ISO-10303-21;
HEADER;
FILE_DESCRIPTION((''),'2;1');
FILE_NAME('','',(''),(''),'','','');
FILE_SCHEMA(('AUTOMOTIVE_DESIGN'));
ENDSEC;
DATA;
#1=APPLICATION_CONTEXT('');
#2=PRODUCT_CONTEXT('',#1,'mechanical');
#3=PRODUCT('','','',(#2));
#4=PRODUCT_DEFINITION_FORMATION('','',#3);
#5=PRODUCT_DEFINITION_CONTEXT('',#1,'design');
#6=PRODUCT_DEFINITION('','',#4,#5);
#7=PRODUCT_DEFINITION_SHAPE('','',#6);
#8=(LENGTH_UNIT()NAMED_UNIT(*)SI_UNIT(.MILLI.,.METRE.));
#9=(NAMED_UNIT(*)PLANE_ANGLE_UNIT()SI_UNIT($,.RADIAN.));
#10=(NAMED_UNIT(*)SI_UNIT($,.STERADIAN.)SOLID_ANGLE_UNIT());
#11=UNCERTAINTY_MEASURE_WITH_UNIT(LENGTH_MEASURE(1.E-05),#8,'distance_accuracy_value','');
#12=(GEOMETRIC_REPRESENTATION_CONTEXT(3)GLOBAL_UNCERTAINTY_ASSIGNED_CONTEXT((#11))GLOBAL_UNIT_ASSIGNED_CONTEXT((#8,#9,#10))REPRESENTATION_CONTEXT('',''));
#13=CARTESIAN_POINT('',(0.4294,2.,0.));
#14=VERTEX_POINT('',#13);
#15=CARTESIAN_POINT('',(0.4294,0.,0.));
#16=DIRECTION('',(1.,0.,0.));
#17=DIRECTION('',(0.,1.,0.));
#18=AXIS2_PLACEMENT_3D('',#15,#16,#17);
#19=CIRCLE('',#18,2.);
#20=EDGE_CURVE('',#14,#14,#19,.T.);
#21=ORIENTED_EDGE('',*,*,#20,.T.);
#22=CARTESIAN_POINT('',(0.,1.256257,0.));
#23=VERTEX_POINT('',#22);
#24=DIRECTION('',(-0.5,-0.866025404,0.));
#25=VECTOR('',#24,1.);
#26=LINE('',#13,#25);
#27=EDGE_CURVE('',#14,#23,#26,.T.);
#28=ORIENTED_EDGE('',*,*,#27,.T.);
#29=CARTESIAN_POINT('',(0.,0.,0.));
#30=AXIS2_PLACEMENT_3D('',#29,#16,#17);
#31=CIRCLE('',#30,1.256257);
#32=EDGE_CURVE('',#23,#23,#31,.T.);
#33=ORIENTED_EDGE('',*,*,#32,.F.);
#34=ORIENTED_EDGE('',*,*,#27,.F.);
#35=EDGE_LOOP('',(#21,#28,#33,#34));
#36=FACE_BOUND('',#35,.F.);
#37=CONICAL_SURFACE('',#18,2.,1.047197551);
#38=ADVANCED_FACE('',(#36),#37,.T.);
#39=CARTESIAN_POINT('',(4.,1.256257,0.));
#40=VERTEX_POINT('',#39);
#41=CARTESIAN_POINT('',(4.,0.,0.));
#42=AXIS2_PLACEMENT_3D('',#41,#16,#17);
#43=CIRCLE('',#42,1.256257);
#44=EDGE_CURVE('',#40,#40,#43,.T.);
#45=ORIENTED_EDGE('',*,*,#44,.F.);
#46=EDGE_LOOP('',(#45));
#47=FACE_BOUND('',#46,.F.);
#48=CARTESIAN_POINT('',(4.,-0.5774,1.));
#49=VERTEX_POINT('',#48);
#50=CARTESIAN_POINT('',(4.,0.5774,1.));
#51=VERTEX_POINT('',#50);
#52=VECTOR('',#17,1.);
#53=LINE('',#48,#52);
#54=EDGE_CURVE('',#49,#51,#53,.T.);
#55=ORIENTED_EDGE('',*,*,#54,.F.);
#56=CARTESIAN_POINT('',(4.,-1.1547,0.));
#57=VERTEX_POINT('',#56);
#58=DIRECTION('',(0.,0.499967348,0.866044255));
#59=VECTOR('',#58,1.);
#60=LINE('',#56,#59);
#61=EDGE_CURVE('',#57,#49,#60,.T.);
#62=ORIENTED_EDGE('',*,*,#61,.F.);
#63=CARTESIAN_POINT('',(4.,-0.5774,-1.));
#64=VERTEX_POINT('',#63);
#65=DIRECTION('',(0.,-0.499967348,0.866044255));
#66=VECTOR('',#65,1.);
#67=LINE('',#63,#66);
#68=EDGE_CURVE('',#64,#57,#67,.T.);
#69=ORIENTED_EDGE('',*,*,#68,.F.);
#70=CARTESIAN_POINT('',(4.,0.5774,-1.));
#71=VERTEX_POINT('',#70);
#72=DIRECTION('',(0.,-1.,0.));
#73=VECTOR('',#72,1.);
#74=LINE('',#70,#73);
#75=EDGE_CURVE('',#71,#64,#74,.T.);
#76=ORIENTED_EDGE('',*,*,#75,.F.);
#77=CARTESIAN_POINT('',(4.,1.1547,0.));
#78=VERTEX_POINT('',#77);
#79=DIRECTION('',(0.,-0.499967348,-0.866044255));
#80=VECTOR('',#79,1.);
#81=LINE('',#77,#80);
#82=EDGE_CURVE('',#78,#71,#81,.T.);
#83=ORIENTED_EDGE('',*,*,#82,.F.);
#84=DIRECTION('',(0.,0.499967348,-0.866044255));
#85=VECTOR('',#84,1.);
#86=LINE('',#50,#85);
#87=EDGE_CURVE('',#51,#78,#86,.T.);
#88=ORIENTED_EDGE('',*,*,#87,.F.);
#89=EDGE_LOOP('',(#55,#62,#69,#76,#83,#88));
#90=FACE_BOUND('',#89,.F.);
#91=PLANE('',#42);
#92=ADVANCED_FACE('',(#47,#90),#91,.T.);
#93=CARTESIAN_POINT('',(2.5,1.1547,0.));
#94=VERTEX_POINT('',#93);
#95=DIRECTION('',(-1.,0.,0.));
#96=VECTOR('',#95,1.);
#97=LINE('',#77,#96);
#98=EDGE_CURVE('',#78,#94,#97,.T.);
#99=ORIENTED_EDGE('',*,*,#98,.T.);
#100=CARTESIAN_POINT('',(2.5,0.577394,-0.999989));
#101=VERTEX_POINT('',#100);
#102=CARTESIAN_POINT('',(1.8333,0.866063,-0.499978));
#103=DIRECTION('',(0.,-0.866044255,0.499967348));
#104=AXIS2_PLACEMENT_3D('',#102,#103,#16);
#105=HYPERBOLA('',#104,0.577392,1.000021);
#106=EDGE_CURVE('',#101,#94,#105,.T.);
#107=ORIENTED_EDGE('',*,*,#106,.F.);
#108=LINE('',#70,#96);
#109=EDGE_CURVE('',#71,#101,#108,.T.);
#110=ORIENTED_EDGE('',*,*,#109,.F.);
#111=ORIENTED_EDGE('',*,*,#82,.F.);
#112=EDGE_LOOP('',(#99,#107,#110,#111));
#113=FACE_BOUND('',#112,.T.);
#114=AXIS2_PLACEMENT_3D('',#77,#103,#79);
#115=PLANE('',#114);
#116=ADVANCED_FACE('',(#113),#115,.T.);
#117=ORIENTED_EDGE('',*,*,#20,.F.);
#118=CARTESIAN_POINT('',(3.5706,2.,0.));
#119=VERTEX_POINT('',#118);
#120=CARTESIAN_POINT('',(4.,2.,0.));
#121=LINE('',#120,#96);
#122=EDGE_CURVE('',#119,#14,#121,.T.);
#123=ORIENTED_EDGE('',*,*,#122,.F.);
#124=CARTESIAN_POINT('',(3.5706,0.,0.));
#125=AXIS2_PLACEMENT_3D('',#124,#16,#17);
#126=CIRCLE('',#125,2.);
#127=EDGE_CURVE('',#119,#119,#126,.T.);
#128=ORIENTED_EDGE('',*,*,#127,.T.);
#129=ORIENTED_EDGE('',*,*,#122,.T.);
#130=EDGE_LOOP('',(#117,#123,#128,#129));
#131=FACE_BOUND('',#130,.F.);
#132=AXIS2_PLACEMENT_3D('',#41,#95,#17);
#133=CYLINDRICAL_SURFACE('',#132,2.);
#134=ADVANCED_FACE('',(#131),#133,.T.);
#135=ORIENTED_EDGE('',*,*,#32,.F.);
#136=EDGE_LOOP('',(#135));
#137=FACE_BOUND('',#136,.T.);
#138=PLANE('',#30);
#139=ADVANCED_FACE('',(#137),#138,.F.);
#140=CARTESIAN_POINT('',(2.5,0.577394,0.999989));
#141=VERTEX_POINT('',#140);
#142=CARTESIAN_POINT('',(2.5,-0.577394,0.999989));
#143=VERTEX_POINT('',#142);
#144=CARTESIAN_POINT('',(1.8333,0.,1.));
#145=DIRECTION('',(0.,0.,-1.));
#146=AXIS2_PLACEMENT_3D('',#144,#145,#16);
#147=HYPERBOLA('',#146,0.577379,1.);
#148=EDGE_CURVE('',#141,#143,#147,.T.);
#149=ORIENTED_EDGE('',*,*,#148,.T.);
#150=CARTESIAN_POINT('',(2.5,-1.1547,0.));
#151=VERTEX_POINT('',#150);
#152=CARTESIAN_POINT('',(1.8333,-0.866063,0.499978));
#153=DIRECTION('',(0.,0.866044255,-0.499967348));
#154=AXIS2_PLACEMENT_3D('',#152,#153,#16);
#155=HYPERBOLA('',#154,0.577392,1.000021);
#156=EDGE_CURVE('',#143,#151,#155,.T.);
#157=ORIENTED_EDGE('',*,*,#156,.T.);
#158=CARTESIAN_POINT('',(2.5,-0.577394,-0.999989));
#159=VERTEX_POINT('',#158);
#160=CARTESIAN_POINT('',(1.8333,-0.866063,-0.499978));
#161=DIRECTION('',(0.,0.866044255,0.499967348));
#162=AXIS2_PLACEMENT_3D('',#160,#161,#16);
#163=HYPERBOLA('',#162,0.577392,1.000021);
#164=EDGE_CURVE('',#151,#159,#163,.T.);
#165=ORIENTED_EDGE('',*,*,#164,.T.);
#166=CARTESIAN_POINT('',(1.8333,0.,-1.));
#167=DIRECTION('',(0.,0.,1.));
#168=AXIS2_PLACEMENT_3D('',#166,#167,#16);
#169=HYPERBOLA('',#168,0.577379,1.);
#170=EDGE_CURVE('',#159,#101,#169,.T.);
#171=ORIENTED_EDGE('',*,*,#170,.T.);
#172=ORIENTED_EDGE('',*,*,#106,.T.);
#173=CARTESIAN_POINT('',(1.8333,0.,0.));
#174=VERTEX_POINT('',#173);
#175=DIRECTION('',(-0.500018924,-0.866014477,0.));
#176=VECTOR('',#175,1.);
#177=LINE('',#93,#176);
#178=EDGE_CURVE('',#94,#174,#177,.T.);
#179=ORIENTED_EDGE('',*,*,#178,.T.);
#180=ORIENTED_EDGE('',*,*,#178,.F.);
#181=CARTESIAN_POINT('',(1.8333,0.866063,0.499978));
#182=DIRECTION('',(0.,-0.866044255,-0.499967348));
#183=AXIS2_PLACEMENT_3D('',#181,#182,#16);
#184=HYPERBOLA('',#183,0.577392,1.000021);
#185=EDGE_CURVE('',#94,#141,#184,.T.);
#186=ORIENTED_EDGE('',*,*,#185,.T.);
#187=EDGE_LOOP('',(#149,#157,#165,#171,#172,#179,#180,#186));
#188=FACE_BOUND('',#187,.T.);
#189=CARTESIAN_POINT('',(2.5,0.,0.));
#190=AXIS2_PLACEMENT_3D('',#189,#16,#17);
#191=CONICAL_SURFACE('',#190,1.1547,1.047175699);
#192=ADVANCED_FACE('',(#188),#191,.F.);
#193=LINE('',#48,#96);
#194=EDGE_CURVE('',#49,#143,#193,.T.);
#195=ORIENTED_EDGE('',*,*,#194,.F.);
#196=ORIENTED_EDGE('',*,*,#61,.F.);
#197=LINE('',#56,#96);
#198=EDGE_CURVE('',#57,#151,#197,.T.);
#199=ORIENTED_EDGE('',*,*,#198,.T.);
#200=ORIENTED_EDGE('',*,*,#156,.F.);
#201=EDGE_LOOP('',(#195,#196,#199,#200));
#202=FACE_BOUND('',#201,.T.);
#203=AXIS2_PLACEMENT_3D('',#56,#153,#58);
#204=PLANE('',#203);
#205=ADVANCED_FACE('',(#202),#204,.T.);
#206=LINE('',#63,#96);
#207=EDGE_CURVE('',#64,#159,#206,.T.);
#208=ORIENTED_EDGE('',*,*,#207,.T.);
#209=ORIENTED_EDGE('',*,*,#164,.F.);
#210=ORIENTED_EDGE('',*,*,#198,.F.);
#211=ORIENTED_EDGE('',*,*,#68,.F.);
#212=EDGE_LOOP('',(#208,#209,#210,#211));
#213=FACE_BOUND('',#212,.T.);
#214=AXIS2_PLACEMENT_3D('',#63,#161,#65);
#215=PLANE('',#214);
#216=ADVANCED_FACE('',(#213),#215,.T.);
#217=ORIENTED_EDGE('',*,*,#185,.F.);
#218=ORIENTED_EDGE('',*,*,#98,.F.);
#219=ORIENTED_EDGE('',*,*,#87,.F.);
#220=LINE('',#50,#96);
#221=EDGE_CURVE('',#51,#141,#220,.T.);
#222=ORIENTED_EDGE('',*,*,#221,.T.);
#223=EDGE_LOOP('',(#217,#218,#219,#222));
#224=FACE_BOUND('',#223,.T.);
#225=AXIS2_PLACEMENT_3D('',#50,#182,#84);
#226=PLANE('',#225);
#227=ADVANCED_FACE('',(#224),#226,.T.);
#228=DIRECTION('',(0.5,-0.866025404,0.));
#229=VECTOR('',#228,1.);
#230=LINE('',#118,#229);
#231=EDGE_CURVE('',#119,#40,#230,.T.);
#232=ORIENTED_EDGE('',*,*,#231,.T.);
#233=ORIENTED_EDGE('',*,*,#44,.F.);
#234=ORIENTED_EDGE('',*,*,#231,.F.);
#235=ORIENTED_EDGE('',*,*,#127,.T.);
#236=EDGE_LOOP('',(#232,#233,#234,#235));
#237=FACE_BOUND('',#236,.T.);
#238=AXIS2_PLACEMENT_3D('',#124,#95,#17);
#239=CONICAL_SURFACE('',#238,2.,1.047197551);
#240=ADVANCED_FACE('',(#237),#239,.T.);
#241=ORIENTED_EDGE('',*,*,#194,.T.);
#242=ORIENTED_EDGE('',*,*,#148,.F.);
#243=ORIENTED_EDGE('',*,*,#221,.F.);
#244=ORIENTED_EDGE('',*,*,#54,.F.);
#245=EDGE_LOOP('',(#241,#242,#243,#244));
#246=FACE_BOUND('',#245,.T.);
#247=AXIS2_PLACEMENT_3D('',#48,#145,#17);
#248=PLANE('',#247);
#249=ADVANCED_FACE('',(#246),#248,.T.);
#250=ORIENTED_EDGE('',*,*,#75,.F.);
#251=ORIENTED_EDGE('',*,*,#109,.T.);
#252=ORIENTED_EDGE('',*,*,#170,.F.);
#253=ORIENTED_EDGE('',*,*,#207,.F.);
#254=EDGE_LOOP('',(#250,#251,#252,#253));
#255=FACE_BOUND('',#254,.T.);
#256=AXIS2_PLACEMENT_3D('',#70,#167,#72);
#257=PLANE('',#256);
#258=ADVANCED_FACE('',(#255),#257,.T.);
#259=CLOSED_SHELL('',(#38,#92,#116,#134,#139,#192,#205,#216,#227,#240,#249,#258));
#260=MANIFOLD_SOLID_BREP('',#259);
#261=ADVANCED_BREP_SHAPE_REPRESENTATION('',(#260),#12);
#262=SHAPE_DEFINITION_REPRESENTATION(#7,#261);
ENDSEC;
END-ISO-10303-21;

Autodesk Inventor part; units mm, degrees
ref_plane "YZ Plane" through (0, 0, 0) normal (1, 0, 0) x (0, 1, 0)
ref_plane "XZ Plane" through (0, 0, 0) normal (0, 1, 0) x (-1, 0, 0)
sketch "Skizze1" plane through (0, 0, 0) normal (0, 0, 1) x (1, 0, 0)
  line L0 (0, 0) -> (1.8333, 0)
  line L1 (4, 1.1547) -> (4, 2)
  line L2 (4, 2) -> (0, 2)
  line L3 (4, 1.1547) -> (2.5, 1.1547)
  line L4 (2.5, 1.1547) -> (1.8333, 0)
  line L5 (0, -0.4) -> (0, 2.4) projected
  line L6 (0, 2) -> (0, 0)
  dimension "d0" = 1.5
  dimension "d1" = 60
  dimension "d2" = 4
  dimension "d3" = 2.3094
  dimension "d5" = 4
revolve "Körper" add sketch "Skizze1" angle 360 about axis through (0, 0, 0) along (1, 0, 0)
sketch "Skizze2" plane through (4, 0, 0) normal (1, 0, 0) x (0, 1, 0)
  circle A0 centre (0, 0) radius 1.1547 projected
  line L0 (-0.5774, 1) -> (0.5774, 1)
  line L1 (0.5774, 1) -> (1.1547, 0)
  line L2 (1.1547, 0) -> (0.5774, -1)
  line L3 (0.5774, -1) -> (-0.5774, -1)
  line L4 (-0.5774, -1) -> (-1.1547, 0)
  line L5 (-1.1547, 0) -> (-0.5774, 1)
  point P0 (0, 0)
  point P1 (0, 0)
extrude "Loch" add sketch "Skizze2" against normal up to next contours L1 A0 | A0 L2 | L0 A0 | A0 L3 | L5 A0 | A0 L4
thread "Gewinde" size "M4x0.7" class "6g" standard "ISO Metric profile" length 4
chamfer "Fase1" distance 0.4294 angle 60 1 edges at (4, -2, 0) measured on face at (2.6667, 1.9741, -0.3208)
chamfer "Fase2" distance 0.4294 angle 60 1 edges at (0, -2, 0) measured on face at (1.1902, 1.9935, -0.1609)
ref_plane "Work Plane1" through (2, 0, 0) normal (0, 0, 1) x (1, 0, 0)
equation "\"d0\" = INTI"
equation "\"d2\" = NND"
equation "\"d3\" = 1.1547 * SW"
equation "\"d5\" = NLG"
equation "\"d8\" = NLG"
equation "\"d10\" = -0.5 * GD1 + 0.5 * NND"
equation "\"d11\" = FAWI"
equation "\"d34\" = -0.5 * GD1 + 0.5 * NND"
equation "\"d12\" = -0.5 * GD1 + 0.5 * NND"
equation "\"d13\" = FAWI"
equation "\"d35\" = -0.5 * GD1 + 0.5 * NND"
equation "\"NND\" = 4"
equation "\"NLG\" = 4"
equation "\"INTI\" = 1.5"
equation "\"FAWI\" = 60deg"
equation "\"SW\" = 2"
equation "\"GD1\" = THREADDIA - 1.2269 * PTC"
equation "\"SPD\" = 2.5"
equation "\"GUL\" = 0.61345 * PTC"
equation "\"TOA\" = 30deg"
equation "\"THREADDIA\" = 4"
equation "\"PTC\" = 0.7"
equation "\"FAWI1\" = 45deg"
equation "\"GAL\" = 0.61345 * PTC"
equation "\"E0\" = 1.155 * SW"
properties part number "DIN 913 - M4 x 4" material "Stahl, weich"
